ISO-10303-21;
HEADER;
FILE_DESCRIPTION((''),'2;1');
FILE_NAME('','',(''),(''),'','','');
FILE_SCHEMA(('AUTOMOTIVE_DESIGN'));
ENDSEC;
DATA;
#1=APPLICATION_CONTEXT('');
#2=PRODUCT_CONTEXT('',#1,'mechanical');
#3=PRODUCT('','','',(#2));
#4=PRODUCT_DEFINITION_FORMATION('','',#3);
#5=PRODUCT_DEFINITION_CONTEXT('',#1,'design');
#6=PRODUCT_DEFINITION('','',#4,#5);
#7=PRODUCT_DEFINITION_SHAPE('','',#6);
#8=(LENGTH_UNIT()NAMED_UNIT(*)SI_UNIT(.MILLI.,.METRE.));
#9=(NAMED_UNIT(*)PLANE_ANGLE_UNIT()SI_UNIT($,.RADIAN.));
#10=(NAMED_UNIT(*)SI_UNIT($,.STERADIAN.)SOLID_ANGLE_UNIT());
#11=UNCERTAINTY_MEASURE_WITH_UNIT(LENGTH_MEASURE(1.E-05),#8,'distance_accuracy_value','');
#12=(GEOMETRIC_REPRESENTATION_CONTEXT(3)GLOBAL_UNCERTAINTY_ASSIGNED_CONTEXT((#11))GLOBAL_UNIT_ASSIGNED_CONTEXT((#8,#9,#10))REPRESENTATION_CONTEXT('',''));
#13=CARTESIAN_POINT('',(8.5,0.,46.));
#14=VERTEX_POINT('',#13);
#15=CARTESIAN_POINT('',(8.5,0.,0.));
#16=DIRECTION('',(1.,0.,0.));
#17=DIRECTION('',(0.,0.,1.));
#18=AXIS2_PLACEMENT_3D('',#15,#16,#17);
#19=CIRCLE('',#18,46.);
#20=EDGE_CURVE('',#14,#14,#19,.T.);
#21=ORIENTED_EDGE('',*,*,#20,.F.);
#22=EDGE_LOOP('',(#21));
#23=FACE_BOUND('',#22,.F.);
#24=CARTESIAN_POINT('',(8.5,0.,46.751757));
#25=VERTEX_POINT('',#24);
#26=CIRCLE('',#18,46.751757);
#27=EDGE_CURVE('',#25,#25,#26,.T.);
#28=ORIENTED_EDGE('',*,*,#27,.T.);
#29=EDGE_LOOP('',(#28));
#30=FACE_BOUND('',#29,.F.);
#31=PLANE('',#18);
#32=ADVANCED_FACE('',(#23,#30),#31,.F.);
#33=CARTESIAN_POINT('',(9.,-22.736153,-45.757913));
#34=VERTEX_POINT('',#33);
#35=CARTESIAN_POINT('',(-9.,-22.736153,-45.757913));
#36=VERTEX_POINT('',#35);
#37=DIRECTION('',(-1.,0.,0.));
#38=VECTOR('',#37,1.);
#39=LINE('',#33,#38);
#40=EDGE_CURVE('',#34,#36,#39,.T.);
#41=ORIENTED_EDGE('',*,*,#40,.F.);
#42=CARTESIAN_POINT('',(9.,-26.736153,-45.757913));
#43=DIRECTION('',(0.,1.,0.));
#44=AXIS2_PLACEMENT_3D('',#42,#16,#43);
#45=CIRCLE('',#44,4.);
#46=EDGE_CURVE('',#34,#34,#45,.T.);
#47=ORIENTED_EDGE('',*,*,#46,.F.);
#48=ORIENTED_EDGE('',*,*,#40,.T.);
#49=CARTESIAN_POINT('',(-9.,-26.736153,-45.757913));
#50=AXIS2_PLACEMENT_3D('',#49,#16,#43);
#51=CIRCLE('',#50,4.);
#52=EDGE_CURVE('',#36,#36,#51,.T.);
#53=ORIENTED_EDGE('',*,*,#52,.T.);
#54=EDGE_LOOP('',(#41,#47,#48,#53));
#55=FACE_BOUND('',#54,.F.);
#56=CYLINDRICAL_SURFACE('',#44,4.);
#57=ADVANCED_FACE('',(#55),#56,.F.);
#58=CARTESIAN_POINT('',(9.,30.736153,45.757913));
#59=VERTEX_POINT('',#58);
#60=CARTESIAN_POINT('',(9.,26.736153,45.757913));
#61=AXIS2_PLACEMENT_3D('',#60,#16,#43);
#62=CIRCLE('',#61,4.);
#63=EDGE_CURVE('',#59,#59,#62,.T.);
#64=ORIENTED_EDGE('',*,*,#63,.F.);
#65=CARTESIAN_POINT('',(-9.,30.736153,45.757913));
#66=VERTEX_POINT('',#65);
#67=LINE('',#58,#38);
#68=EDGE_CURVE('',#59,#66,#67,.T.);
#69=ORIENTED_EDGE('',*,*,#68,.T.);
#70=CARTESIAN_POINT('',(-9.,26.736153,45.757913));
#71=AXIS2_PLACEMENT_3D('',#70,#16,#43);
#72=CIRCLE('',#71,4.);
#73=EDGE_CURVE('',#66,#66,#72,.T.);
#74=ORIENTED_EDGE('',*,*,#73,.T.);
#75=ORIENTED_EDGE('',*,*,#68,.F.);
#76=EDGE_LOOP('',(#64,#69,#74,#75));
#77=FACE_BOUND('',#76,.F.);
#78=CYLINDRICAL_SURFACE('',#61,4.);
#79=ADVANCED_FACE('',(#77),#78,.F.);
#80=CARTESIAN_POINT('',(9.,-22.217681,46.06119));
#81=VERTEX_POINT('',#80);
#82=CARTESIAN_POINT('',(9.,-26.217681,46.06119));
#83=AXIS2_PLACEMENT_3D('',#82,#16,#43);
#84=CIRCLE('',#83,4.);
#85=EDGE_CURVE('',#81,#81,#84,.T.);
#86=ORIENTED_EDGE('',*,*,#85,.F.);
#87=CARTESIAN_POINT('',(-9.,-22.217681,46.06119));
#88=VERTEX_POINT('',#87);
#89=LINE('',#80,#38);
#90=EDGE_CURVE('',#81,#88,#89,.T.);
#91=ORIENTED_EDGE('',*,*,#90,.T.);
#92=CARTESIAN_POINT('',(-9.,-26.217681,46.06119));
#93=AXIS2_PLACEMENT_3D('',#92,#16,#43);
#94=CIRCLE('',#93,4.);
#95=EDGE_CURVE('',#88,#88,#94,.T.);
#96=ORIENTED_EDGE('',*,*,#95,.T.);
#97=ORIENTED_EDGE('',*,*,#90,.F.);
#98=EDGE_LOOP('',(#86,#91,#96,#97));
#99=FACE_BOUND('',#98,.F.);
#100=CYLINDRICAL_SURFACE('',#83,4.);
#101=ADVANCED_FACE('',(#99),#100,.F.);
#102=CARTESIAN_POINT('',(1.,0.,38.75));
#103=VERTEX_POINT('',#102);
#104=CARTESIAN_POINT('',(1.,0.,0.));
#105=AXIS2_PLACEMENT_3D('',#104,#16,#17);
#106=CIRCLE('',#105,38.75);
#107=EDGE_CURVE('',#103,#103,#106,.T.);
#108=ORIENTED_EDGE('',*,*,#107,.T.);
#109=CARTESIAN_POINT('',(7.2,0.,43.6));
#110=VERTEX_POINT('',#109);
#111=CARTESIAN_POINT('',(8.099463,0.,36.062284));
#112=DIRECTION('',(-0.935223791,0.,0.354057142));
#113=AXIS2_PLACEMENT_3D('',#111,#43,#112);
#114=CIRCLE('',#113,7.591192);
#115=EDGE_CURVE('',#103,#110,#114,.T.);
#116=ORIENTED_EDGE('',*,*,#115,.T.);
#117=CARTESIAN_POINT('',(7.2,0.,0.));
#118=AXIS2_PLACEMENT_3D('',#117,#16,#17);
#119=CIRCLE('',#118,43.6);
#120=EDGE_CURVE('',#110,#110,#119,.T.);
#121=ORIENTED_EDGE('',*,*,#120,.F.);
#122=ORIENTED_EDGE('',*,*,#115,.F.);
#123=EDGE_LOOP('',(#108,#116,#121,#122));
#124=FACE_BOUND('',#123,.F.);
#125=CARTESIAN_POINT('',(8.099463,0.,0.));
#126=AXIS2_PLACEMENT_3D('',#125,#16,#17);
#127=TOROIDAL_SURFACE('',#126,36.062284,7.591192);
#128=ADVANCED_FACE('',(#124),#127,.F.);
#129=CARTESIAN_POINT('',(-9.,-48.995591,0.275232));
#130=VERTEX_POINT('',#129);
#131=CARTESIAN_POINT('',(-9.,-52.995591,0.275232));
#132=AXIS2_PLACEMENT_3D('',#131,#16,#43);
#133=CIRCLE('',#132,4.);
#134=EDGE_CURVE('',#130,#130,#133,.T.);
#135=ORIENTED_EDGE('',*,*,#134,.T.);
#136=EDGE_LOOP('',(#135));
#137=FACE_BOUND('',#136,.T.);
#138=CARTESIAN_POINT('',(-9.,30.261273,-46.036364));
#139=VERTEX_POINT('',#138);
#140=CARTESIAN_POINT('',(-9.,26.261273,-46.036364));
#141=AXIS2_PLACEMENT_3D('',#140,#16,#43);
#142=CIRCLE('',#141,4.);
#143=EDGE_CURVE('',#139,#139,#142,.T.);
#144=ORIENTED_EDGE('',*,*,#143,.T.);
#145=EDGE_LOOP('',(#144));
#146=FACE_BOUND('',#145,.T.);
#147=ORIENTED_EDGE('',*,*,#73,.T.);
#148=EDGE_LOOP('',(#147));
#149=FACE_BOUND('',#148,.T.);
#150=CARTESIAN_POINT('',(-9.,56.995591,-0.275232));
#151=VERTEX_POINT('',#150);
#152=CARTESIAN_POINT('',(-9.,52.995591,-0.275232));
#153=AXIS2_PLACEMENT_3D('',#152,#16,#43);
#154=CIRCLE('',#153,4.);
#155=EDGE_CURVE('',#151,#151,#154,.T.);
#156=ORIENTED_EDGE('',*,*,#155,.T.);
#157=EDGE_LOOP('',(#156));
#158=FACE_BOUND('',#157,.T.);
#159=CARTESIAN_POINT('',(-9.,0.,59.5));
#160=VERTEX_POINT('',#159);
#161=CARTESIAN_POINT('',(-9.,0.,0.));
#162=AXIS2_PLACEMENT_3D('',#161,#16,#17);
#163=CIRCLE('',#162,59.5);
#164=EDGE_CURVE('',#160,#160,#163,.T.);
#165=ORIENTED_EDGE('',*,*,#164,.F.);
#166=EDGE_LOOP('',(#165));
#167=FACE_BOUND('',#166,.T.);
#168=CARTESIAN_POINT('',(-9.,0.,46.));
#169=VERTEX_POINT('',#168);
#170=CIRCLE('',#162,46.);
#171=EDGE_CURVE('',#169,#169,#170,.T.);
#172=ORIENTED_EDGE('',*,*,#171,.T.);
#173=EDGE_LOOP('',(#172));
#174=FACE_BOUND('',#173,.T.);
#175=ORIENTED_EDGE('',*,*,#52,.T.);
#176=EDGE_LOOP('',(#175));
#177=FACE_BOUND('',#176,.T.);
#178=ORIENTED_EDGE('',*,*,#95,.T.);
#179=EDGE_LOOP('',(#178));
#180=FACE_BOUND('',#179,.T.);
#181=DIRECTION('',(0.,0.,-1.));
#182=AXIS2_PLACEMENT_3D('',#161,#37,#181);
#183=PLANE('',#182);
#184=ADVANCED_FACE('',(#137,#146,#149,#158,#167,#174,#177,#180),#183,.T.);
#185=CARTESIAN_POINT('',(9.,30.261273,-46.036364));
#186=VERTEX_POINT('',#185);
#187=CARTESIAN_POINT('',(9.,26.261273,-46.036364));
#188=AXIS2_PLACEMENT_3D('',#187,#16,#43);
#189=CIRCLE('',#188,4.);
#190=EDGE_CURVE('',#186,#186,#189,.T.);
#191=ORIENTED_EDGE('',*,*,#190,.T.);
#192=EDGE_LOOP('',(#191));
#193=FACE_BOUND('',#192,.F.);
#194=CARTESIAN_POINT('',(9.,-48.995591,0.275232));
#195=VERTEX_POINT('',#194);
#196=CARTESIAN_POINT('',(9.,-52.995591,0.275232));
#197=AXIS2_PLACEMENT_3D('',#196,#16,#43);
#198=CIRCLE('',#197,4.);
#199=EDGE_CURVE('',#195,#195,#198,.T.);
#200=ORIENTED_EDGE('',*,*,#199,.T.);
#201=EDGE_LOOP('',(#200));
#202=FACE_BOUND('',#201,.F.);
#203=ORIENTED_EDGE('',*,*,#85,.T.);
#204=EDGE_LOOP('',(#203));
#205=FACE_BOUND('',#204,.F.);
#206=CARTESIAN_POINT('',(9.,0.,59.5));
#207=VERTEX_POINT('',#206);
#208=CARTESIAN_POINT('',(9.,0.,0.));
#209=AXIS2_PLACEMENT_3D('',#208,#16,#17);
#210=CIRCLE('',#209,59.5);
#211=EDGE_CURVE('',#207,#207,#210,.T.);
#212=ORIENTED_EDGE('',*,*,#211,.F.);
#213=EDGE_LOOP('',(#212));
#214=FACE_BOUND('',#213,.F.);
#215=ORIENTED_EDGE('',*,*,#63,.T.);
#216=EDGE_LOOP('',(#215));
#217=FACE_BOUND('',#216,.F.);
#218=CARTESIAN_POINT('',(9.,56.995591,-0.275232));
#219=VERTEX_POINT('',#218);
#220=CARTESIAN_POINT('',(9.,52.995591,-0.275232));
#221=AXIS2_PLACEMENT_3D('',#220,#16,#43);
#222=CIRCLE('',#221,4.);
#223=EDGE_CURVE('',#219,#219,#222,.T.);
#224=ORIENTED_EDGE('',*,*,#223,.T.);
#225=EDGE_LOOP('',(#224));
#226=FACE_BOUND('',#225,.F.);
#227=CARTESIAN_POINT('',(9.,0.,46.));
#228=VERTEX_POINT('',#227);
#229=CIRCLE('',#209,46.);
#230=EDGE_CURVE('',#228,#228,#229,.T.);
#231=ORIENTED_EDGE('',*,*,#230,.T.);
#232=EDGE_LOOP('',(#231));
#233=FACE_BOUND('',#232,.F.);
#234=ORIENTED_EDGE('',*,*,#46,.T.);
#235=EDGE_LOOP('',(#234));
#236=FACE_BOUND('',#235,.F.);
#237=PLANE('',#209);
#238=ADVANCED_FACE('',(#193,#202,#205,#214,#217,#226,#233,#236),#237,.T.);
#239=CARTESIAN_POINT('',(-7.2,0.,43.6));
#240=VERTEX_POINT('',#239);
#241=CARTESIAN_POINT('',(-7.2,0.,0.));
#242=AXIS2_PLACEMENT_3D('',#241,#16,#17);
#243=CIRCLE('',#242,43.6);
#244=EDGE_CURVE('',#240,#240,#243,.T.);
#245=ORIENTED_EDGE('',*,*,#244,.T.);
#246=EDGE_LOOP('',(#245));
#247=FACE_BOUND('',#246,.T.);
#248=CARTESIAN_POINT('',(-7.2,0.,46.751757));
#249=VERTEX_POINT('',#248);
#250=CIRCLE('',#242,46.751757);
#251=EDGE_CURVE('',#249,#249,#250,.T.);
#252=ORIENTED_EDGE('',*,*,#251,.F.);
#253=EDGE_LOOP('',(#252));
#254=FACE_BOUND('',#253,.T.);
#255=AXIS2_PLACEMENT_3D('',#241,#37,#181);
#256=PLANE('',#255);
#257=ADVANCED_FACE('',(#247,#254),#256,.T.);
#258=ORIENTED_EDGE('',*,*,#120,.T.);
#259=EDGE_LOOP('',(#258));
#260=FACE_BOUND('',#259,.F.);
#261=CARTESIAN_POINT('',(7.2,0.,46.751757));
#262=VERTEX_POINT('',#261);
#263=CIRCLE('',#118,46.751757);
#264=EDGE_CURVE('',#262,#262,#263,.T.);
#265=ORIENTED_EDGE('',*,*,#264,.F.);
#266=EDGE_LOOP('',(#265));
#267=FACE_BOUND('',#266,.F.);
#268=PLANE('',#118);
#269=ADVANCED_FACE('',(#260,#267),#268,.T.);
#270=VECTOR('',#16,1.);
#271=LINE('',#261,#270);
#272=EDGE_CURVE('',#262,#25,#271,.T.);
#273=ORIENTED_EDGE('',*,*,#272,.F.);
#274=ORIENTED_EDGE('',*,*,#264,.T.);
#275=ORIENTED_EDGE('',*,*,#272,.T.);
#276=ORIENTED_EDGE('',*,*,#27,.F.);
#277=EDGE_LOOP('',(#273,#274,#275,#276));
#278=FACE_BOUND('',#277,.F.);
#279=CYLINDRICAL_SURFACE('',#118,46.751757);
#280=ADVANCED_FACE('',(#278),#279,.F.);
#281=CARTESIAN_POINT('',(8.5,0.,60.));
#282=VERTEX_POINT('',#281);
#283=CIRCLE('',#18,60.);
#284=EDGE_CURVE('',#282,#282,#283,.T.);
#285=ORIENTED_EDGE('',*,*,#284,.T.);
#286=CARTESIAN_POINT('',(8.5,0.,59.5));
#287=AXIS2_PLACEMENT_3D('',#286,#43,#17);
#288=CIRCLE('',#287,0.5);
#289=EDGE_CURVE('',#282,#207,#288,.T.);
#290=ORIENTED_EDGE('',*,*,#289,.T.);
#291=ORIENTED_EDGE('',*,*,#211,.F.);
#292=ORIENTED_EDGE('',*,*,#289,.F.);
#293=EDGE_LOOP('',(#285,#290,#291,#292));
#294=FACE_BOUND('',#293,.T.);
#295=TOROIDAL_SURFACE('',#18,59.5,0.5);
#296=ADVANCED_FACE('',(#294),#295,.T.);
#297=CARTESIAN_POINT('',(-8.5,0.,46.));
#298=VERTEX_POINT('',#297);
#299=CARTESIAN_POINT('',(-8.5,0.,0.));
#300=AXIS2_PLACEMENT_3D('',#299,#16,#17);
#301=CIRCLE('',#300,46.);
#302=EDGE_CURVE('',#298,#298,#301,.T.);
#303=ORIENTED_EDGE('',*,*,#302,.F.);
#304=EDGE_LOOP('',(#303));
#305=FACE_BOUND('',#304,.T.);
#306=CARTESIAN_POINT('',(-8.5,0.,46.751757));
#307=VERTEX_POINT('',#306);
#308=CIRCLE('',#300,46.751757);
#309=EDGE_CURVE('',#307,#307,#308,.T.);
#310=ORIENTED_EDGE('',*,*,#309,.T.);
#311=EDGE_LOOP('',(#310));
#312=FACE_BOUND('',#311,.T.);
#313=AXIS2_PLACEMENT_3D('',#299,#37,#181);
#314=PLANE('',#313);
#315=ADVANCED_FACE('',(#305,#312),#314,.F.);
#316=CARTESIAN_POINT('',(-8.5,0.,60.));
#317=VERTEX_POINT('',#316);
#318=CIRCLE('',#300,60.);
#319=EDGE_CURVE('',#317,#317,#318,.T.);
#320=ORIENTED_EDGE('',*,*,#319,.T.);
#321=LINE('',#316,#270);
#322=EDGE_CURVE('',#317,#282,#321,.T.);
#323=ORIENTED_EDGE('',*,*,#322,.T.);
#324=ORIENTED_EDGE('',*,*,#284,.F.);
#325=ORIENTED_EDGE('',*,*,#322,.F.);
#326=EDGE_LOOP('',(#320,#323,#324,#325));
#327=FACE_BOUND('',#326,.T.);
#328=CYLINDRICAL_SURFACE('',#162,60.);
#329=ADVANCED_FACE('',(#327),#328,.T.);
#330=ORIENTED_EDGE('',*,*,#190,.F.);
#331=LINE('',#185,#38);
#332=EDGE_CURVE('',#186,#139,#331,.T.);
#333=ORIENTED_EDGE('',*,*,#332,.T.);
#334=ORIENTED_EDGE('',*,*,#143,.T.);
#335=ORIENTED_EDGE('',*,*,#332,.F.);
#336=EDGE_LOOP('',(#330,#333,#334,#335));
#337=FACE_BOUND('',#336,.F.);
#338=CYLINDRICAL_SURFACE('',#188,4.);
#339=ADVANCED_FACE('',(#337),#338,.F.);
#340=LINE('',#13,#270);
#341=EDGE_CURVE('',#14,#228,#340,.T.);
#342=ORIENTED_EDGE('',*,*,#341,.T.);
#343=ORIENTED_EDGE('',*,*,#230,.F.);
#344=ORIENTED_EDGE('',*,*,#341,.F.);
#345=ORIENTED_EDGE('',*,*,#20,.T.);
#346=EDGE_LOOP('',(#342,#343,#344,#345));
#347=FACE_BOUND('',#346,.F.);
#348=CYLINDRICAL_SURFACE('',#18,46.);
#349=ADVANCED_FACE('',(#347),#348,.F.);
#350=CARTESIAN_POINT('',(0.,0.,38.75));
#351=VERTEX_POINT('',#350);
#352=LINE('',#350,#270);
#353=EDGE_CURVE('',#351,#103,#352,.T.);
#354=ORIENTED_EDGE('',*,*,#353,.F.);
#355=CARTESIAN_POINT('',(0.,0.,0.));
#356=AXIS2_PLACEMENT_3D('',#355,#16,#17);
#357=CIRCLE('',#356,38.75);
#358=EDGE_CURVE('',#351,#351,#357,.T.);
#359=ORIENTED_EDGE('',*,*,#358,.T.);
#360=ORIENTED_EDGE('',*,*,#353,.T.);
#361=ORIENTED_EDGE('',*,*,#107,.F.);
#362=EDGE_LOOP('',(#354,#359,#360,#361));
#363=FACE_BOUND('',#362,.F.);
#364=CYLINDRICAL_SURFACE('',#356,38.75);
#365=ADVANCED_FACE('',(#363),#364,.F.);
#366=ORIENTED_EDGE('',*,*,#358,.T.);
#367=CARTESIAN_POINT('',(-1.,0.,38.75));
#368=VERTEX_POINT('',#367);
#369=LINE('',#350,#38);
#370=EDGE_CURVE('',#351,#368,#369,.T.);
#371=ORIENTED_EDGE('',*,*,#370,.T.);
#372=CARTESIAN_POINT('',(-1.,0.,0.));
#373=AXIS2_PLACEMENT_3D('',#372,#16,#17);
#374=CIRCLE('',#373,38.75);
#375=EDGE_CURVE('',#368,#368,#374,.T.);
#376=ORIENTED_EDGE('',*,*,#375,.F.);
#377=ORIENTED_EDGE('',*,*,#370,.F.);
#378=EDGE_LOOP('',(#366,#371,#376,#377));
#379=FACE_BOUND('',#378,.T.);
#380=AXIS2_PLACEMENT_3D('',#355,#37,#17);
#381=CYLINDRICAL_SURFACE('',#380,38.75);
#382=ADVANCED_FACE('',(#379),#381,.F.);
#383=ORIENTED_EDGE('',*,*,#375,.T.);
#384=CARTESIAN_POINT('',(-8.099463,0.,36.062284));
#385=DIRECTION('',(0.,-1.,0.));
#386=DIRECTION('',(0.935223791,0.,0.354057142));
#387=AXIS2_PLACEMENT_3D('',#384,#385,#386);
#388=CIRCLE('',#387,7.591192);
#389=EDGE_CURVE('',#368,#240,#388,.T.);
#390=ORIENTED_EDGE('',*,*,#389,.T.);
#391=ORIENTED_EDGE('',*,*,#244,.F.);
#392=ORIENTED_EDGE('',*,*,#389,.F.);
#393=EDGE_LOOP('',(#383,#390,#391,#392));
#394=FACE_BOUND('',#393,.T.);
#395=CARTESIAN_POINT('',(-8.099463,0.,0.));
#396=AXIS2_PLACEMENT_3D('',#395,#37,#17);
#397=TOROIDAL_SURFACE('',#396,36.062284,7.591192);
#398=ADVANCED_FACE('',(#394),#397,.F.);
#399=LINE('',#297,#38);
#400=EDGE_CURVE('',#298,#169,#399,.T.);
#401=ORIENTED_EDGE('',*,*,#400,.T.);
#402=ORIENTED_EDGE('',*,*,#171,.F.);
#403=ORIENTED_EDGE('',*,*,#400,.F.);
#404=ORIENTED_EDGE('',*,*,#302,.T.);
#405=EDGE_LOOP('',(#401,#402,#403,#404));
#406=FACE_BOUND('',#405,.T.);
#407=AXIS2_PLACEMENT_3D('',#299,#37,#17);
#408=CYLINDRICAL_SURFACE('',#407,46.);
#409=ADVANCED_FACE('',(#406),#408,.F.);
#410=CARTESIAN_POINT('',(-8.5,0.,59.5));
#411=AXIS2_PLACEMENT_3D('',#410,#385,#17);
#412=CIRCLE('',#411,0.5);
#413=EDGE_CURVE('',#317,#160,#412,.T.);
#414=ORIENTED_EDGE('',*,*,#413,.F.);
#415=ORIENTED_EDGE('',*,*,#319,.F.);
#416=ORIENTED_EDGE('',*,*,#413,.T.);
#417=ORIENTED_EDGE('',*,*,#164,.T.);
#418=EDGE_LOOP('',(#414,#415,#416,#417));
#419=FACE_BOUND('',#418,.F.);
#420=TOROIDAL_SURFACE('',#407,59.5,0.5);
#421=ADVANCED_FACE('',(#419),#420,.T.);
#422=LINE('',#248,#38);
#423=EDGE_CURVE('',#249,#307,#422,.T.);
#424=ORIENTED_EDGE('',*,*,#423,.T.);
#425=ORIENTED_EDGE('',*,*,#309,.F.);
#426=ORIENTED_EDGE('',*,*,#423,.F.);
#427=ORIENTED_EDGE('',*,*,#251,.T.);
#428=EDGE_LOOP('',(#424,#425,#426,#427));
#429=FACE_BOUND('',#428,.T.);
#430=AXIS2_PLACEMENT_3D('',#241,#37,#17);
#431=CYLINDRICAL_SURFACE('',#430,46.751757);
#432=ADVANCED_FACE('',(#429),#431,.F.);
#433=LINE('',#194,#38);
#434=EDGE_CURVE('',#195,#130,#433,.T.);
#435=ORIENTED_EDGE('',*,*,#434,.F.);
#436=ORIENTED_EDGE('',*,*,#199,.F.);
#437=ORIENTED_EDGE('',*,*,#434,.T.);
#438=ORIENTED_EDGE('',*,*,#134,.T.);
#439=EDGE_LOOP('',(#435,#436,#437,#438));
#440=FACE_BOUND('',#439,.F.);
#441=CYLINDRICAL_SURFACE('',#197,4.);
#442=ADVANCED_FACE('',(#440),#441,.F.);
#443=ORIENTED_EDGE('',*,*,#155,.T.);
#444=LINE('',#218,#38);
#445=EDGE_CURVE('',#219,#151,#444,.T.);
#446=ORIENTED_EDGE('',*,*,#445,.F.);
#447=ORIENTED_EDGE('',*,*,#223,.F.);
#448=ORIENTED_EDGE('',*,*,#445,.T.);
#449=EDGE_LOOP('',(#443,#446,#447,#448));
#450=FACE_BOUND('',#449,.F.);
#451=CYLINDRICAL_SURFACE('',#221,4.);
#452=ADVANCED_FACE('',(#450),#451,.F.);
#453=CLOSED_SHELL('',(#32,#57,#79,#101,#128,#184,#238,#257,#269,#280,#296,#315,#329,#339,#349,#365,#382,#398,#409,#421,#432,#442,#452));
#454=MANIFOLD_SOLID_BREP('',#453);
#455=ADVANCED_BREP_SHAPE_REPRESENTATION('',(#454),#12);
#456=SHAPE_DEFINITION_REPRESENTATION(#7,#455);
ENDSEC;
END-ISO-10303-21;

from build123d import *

# Parameters (mm, degrees)
F2_R     = 0.5
F4_R     = 4
F5_DEPTH = 18


with BuildPart() as f1:
    # F0 (on Front) → F1 (revolve)
    with BuildSketch(Plane.XZ):
        with BuildLine():
            Line((9, 60), (0, 60))
            Line((0, 60), (0, 38.75))
            Line((0, 38.75), (1, 38.75))
            ThreePointArc((1, 38.75), (3.422249, 42.041403), (7.2, 43.6))
            Line((7.2, 43.6), (7.2, 46))
            Line((7.2, 46), (7.2, 46.751757))
            Line((7.2, 46.751757), (8.5, 46.751757))
            Line((8.5, 46.751757), (8.5, 46))
            Line((8.5, 46), (9, 46))
            Line((9, 46), (9, 60))
        make_face()
    revolve(axis=Axis((13.202514, 0, 0), (1, 0, 0)))

    # F2
    f2_edges = [f1.edges().sort_by_distance(p)[0] for p in [
        (9, 0, -60),
    ]]
    fillet(f2_edges, radius=F2_R)

    # F3: F1 across face


with BuildPart() as f1_1:
    add(f1.part)
    add(f1.part.mirror(Plane(origin=(0, 0, 0), x_dir=(0, -1, 0), z_dir=(-1, 0, 0))))

    # F4 (on face) → F5 (cut)
    with BuildSketch(Plane.YZ.offset(9)):
        with Locations((-52.995591, 0.275232)):
            Circle(F4_R)
        with Locations((-26.217681, 46.06119)):
            Circle(F4_R)
        with Locations((26.736153, 45.757913)):
            Circle(F4_R)
        with Locations((52.995591, -0.275232)):
            Circle(F4_R)
        with Locations((26.261273, -46.036364)):
            Circle(F4_R)
        with Locations((-26.736153, -45.757913)):
            Circle(F4_R)
    extrude(amount=-F5_DEPTH, mode=Mode.SUBTRACT)


solid = f1_1.part
